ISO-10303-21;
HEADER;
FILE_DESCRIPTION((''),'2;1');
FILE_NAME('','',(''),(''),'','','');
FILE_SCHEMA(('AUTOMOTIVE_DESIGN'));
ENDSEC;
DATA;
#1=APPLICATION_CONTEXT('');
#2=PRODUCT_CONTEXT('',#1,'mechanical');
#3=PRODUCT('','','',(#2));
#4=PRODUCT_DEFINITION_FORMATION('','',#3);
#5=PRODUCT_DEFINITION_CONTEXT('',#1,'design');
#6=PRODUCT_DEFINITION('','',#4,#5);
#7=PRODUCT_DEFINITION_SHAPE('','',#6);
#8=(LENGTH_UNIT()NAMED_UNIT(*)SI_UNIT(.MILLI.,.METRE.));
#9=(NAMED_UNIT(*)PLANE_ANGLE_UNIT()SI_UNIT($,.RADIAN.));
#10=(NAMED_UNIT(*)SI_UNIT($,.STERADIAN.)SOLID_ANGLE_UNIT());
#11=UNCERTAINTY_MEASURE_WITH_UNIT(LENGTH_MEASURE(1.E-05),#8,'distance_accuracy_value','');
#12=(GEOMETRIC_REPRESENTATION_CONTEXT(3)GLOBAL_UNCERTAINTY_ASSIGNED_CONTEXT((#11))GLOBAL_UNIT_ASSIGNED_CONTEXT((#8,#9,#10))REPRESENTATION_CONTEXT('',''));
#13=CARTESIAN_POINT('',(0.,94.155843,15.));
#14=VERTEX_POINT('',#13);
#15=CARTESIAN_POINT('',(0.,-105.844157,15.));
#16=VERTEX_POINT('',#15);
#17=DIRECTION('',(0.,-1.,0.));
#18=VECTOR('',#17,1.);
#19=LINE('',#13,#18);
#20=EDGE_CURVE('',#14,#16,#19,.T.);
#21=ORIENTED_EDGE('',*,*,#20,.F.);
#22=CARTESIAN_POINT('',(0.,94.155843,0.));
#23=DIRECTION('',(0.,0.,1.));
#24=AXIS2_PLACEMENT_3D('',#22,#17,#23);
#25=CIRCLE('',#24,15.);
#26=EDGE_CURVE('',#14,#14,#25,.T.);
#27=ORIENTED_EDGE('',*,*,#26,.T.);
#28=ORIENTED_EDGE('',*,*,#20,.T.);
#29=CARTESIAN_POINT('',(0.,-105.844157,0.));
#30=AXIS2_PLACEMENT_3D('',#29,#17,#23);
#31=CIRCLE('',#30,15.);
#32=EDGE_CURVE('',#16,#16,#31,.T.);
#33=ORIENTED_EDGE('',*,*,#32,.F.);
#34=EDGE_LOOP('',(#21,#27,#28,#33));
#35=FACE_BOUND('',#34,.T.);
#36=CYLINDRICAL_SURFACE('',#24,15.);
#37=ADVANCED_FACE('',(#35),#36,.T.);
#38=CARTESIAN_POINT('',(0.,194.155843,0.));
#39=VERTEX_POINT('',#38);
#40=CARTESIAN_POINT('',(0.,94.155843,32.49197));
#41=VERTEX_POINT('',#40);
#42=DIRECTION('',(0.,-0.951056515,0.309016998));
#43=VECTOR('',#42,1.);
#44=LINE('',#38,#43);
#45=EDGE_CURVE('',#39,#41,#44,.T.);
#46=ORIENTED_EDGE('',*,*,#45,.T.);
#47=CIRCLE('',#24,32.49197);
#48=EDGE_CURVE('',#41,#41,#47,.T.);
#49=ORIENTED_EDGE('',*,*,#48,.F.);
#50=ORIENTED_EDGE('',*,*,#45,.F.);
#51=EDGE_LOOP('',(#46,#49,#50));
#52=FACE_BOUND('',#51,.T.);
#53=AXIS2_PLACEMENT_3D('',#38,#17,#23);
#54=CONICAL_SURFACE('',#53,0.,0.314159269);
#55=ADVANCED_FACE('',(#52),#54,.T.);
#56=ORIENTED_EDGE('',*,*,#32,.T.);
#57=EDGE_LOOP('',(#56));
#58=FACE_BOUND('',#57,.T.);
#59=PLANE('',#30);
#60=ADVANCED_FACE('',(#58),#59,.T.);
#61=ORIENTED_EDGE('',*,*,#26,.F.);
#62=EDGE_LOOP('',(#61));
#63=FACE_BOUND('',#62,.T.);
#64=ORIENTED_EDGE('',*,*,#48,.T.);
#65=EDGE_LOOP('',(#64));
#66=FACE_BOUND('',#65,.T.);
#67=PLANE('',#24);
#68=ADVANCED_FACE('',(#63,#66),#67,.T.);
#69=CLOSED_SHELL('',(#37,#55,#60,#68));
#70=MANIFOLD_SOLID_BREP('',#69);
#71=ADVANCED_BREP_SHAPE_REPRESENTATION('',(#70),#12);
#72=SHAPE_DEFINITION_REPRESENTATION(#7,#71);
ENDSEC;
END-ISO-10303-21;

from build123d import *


with BuildPart() as f1:
    # F0 (on Right) → F1 (revolve)
    with BuildSketch(Plane.YZ):
        Polygon((94.155843, 15), (-105.844157, 15), (-105.844157, 0), (194.155843, 0), (94.155843, 32.49197), align=None)
    revolve(axis=Axis((0, 44.155843, 0), (0, -1, 0)))


solid = f1.part
